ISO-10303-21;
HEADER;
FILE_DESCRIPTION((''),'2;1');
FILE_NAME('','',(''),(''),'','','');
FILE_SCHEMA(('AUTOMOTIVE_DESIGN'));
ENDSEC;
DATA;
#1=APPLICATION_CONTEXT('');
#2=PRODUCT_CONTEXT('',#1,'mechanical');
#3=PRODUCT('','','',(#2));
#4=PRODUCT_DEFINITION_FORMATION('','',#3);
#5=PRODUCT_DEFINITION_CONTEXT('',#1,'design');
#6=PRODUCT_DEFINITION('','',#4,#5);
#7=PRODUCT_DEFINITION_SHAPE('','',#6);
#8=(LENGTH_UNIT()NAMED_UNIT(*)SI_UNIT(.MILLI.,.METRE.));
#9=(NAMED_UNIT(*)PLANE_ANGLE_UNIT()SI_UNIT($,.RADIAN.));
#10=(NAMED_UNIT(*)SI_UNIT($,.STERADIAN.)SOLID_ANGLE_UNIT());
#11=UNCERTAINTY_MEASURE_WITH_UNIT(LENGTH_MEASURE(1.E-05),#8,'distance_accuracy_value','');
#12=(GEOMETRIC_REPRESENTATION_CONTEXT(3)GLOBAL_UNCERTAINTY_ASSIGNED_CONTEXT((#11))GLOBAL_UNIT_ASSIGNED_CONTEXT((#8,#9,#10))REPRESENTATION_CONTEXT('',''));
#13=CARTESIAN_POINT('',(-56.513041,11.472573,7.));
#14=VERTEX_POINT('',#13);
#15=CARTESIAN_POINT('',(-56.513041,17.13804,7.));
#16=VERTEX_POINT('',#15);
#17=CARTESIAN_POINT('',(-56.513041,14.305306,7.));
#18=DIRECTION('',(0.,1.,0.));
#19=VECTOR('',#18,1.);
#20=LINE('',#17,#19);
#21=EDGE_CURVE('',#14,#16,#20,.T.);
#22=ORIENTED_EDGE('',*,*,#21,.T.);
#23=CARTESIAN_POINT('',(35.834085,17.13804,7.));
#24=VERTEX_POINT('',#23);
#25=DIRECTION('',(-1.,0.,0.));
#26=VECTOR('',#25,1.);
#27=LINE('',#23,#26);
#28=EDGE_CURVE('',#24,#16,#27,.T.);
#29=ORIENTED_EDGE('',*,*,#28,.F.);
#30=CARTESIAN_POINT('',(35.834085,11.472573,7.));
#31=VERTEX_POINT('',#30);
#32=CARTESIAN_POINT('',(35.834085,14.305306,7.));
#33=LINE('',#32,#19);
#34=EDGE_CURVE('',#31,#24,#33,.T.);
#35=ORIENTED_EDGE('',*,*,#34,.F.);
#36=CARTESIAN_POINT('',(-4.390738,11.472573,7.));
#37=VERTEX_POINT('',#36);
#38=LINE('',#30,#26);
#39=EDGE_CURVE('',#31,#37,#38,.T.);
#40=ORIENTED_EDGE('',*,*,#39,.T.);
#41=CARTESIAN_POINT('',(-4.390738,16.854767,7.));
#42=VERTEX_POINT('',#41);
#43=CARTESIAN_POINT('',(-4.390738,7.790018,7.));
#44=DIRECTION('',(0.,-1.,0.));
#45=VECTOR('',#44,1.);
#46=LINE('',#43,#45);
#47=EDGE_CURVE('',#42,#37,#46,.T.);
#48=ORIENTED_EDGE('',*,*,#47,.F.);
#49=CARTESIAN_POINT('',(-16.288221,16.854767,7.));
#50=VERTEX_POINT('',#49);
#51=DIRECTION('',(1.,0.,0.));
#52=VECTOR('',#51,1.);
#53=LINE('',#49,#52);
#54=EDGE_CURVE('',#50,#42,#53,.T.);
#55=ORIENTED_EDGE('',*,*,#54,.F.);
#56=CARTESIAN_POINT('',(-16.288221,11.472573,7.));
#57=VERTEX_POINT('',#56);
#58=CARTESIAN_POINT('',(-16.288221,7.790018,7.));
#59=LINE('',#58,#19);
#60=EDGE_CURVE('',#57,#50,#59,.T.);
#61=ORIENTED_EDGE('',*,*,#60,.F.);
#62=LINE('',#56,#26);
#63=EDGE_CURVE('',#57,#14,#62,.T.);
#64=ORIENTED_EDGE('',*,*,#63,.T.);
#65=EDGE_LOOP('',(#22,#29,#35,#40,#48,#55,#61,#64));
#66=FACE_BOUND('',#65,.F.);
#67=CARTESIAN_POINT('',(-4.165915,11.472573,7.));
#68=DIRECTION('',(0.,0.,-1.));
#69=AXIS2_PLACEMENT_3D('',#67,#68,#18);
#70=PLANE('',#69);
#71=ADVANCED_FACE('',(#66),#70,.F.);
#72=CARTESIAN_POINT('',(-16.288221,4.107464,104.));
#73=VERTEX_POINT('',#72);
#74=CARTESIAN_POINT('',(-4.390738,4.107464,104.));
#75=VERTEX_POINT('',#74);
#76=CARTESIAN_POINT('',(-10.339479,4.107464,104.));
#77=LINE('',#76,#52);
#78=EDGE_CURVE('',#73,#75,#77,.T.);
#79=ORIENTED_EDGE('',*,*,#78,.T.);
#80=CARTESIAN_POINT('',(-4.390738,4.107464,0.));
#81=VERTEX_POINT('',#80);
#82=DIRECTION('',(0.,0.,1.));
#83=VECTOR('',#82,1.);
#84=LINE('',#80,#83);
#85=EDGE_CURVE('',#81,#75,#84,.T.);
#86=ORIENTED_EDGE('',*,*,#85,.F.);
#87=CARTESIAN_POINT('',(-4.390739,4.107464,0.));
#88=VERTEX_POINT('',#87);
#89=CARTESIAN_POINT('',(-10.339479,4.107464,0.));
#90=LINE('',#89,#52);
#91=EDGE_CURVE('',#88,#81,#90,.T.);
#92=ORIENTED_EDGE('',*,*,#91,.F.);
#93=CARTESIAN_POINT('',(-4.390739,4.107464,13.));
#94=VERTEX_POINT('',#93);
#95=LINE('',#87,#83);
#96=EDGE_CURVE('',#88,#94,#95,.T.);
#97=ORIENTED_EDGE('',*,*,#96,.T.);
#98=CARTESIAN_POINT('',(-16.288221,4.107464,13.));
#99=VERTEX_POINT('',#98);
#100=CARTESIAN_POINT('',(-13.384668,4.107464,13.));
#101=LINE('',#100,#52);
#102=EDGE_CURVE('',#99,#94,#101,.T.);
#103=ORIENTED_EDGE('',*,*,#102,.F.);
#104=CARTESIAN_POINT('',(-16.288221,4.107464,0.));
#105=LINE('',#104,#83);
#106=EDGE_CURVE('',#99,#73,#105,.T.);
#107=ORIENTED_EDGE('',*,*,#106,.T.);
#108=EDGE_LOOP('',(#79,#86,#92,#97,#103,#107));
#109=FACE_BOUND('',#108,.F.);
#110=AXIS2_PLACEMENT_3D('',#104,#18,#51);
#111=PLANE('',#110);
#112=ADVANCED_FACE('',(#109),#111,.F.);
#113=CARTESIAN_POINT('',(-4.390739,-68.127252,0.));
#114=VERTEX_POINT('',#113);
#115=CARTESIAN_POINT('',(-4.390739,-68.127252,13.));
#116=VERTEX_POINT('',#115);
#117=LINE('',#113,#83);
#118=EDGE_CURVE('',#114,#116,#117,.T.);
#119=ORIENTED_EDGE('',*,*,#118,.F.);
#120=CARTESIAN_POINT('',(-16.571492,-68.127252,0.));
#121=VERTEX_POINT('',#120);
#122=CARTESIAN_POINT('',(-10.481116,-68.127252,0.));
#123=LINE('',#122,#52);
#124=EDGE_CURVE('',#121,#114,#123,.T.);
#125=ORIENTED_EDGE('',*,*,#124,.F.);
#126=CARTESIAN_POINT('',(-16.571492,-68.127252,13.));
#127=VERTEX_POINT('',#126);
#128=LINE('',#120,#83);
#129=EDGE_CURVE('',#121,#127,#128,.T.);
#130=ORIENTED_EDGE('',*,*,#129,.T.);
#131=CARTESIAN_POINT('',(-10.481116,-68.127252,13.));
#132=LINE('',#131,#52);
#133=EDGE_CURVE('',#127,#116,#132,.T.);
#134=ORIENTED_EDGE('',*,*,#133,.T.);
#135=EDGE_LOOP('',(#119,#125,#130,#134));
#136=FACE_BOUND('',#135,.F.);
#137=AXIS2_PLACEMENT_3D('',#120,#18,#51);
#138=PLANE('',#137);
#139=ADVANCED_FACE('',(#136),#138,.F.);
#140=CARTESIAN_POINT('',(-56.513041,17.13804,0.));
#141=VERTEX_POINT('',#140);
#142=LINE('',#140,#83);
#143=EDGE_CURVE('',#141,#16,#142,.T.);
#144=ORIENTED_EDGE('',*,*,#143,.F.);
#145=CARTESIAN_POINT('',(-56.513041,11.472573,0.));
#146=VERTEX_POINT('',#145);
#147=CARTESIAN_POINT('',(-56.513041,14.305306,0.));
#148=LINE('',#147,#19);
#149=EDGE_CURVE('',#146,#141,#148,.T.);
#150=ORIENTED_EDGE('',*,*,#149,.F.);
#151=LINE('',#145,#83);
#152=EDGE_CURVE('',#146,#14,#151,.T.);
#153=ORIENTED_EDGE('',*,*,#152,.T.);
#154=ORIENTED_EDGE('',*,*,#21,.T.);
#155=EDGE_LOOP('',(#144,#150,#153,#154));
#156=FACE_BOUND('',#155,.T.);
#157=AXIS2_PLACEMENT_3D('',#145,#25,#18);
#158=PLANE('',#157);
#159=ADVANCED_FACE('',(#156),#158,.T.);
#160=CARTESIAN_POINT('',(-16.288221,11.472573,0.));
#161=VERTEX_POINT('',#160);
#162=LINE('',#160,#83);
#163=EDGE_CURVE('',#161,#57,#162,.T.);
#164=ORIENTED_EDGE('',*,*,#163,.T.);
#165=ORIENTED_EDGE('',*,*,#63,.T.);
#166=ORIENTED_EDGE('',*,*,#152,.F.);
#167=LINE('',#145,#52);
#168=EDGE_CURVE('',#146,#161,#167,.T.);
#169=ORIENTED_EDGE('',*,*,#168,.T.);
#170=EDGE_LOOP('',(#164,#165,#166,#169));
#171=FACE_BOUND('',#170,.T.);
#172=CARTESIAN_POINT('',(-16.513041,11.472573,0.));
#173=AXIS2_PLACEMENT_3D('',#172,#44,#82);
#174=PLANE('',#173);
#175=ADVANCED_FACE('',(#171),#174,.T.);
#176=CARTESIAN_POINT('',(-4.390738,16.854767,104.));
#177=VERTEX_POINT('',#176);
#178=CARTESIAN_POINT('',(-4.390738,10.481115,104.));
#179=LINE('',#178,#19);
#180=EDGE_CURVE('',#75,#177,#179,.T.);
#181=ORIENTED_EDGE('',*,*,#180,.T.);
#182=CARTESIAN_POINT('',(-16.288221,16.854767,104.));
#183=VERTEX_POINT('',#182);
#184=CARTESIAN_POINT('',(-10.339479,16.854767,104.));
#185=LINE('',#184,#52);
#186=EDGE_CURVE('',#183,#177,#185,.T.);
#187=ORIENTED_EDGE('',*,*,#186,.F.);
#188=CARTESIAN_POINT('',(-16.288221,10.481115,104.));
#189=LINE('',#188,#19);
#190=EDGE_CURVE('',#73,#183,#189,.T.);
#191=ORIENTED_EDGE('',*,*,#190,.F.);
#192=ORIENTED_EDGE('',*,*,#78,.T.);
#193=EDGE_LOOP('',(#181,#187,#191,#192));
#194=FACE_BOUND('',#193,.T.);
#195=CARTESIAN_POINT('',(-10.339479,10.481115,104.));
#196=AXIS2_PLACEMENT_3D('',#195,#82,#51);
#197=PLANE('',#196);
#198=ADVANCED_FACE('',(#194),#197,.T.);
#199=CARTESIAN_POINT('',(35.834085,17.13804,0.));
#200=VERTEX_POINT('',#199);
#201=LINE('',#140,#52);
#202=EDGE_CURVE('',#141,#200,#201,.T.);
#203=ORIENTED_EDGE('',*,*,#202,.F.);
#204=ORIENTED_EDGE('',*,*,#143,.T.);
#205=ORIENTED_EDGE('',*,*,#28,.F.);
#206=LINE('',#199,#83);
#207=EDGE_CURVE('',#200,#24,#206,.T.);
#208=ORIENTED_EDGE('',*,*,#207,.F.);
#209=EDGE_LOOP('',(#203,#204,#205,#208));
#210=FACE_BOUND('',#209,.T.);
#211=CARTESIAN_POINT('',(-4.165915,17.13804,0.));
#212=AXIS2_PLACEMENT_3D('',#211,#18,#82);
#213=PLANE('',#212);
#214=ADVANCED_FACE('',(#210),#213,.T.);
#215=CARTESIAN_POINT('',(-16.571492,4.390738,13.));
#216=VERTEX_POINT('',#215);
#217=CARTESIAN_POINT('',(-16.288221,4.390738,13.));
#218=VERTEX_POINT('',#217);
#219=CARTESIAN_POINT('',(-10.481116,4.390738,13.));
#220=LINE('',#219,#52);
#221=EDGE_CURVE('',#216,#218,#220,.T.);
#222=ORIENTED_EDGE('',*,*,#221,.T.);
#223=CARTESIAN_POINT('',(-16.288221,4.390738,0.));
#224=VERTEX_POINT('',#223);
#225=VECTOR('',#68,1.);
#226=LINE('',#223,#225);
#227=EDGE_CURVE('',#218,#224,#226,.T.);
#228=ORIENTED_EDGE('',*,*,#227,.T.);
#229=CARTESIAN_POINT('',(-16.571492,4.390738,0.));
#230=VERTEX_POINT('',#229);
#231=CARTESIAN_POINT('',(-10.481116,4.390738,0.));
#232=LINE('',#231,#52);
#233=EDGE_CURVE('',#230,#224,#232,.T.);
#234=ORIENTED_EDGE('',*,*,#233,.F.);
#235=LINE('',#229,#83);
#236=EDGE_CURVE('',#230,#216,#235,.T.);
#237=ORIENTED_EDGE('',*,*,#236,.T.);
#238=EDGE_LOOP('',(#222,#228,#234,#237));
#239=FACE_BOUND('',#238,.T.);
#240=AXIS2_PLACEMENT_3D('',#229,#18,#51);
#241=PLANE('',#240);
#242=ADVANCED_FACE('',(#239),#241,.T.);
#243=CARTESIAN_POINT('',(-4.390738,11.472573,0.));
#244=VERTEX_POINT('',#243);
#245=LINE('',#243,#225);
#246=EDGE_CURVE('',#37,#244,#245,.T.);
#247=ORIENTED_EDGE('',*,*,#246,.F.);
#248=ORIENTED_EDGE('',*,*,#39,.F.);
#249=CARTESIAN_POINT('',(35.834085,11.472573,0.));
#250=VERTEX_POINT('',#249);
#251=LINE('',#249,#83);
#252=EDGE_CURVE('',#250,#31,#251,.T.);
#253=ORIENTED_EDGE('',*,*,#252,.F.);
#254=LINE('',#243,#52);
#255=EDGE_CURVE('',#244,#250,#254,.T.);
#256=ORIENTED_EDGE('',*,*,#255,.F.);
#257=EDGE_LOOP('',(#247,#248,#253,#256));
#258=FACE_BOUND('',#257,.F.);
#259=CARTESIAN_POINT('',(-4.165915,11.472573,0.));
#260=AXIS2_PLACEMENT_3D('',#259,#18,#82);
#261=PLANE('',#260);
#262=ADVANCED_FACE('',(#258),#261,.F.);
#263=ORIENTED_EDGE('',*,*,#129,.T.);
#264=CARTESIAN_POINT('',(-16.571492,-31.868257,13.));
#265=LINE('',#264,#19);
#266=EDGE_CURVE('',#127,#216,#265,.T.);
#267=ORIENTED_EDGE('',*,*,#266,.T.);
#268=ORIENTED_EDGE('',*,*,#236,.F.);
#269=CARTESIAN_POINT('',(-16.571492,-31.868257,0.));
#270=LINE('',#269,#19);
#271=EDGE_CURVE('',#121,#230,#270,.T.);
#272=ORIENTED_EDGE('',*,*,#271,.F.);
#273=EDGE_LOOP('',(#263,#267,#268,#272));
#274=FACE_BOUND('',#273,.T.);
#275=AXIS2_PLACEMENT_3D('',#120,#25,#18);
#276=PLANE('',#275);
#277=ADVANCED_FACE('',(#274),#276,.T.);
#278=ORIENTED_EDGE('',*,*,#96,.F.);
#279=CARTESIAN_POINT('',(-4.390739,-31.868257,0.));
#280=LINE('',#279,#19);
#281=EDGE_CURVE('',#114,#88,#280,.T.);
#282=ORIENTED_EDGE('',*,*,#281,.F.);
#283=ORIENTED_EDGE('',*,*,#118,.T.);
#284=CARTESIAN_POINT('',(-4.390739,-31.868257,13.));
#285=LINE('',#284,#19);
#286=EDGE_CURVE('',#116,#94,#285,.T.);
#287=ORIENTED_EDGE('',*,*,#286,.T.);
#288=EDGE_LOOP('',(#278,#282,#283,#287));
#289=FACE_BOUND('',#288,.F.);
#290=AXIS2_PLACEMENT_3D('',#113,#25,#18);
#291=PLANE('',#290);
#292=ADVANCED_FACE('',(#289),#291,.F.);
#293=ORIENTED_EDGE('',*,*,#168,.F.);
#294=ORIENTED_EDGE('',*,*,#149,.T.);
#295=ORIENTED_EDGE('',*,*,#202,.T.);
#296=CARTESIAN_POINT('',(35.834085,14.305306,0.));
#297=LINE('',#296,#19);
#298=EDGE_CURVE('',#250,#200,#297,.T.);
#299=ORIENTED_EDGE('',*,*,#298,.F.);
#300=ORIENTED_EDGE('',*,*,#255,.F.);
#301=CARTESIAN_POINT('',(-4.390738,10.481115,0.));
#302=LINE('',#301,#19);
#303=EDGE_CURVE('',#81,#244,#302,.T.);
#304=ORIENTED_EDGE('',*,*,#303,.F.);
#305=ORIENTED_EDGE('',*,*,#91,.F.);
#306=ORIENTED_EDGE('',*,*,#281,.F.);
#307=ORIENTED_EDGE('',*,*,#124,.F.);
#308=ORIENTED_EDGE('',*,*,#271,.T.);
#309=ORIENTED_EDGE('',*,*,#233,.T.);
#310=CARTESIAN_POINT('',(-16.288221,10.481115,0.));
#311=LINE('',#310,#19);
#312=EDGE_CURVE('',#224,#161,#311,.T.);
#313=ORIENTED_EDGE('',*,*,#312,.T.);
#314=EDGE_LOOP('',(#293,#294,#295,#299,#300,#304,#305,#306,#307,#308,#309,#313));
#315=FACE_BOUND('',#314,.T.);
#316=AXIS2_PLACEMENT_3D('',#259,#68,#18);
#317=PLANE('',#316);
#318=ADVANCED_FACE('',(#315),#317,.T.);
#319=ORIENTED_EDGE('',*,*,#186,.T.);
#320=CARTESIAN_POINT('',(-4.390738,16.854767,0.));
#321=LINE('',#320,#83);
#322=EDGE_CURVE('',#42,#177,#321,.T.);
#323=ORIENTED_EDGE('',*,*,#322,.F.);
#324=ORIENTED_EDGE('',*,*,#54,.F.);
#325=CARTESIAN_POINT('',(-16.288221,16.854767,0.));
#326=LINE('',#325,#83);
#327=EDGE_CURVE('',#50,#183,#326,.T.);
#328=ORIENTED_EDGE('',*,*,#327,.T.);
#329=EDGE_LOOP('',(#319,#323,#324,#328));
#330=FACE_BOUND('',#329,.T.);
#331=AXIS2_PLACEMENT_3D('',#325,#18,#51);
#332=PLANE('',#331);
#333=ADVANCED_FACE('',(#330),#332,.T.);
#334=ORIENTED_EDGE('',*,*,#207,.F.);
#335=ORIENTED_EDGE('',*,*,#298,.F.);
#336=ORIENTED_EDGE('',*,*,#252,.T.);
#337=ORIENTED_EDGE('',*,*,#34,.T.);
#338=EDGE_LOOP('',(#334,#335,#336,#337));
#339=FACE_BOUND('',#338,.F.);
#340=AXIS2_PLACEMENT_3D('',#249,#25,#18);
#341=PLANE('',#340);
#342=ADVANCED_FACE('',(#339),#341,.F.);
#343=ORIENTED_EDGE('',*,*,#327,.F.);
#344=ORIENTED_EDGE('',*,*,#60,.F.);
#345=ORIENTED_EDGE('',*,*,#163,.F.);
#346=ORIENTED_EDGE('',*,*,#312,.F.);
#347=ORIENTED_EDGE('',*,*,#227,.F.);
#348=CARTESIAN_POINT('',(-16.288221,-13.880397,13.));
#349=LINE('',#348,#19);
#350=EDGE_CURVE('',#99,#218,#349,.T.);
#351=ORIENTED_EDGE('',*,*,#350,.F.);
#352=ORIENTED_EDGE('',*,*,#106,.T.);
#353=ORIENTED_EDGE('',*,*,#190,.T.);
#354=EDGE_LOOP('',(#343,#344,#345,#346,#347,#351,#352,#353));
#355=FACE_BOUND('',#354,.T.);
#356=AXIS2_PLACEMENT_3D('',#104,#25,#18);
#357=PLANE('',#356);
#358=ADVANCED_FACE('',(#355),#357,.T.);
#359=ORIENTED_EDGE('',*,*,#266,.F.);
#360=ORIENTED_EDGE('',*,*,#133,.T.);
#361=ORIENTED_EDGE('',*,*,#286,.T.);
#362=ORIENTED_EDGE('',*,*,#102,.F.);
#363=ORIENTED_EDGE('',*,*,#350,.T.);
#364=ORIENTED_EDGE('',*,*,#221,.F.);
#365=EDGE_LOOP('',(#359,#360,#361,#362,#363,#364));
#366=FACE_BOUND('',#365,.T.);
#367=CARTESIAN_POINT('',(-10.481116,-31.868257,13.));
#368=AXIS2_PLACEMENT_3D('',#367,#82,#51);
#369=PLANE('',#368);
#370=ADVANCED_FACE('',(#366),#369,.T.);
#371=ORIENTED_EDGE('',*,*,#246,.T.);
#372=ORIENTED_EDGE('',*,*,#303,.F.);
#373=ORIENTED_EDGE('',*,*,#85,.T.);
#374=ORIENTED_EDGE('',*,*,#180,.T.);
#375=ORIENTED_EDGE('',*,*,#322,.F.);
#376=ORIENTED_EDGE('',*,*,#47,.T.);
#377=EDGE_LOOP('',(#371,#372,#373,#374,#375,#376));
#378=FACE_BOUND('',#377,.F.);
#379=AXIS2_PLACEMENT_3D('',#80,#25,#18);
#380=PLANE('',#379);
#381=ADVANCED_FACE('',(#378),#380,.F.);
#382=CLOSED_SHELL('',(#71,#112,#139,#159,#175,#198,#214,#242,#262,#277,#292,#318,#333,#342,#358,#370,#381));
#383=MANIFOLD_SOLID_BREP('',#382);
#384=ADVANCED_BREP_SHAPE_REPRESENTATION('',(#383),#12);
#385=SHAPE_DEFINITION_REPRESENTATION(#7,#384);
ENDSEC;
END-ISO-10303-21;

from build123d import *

# Parameters (mm, degrees)
F0_W     = 11.8974833749
F0_H     = 12.7473026514
F1_DEPTH = 104
F2_W     = 12.1807525866
F2_H     = 72.517989669
F3_DEPTH = 13
F4_W     = 40
F4_H     = 5.6654671207
F5_DEPTH = 7
F6_DEPTH = 12.1
F7_DEPTH = 3


with BuildPart() as f1:
    # F0 (on Top) → F1 (new body)
    with BuildSketch(Plane.XY):
        with Locations((-10.339479195, 10.4811154306)):
            Rectangle(F0_W, F0_H)
    extrude(amount=F1_DEPTH)

    # F2 (on Top) → F3 (join)
    with BuildSketch(Plane.XY):
        with Locations((-10.4811156634, -31.868257327)):
            Rectangle(F2_W, F2_H)
    extrude(amount=F3_DEPTH)



with BuildPart() as f5:
    # F4 (on Top) → F5 (new body)
    with BuildSketch(Plane.XY):
        with Locations((15.8340851963, 14.3053061329)):
            Rectangle(F4_W, F4_H)
    extrude(amount=F5_DEPTH)


with BuildPart() as f5b:
    # F4 (on Top) → F5, piece 2 (new body)
    with BuildSketch(Plane.XY):
        with Locations((-36.5130412579, 14.3053061329)):
            Rectangle(F4_W, F4_H)
    extrude(amount=F5_DEPTH)


with BuildPart() as f1_1:
    add(f1.part)
    # F6 (add): a face of the model
    f6_faces = [f5b.part.faces().sort_by_distance(p)[0] for p in [
        (-16.5130412579, 14.3053061329, 3.5),
    ]]

    add(f5b.part)  # F6 merges F5b
    extrude(f6_faces, amount=F6_DEPTH)

    # F7 (add): a face of the model
    f7_faces = [f5.part.faces().sort_by_distance(p)[0] for p in [
        (-4.1659148037, 14.3053061329, 3.5),
    ]]

    add(f5.part)  # F7 merges F5
    extrude(f7_faces, amount=F7_DEPTH)


solid = f1_1.part
